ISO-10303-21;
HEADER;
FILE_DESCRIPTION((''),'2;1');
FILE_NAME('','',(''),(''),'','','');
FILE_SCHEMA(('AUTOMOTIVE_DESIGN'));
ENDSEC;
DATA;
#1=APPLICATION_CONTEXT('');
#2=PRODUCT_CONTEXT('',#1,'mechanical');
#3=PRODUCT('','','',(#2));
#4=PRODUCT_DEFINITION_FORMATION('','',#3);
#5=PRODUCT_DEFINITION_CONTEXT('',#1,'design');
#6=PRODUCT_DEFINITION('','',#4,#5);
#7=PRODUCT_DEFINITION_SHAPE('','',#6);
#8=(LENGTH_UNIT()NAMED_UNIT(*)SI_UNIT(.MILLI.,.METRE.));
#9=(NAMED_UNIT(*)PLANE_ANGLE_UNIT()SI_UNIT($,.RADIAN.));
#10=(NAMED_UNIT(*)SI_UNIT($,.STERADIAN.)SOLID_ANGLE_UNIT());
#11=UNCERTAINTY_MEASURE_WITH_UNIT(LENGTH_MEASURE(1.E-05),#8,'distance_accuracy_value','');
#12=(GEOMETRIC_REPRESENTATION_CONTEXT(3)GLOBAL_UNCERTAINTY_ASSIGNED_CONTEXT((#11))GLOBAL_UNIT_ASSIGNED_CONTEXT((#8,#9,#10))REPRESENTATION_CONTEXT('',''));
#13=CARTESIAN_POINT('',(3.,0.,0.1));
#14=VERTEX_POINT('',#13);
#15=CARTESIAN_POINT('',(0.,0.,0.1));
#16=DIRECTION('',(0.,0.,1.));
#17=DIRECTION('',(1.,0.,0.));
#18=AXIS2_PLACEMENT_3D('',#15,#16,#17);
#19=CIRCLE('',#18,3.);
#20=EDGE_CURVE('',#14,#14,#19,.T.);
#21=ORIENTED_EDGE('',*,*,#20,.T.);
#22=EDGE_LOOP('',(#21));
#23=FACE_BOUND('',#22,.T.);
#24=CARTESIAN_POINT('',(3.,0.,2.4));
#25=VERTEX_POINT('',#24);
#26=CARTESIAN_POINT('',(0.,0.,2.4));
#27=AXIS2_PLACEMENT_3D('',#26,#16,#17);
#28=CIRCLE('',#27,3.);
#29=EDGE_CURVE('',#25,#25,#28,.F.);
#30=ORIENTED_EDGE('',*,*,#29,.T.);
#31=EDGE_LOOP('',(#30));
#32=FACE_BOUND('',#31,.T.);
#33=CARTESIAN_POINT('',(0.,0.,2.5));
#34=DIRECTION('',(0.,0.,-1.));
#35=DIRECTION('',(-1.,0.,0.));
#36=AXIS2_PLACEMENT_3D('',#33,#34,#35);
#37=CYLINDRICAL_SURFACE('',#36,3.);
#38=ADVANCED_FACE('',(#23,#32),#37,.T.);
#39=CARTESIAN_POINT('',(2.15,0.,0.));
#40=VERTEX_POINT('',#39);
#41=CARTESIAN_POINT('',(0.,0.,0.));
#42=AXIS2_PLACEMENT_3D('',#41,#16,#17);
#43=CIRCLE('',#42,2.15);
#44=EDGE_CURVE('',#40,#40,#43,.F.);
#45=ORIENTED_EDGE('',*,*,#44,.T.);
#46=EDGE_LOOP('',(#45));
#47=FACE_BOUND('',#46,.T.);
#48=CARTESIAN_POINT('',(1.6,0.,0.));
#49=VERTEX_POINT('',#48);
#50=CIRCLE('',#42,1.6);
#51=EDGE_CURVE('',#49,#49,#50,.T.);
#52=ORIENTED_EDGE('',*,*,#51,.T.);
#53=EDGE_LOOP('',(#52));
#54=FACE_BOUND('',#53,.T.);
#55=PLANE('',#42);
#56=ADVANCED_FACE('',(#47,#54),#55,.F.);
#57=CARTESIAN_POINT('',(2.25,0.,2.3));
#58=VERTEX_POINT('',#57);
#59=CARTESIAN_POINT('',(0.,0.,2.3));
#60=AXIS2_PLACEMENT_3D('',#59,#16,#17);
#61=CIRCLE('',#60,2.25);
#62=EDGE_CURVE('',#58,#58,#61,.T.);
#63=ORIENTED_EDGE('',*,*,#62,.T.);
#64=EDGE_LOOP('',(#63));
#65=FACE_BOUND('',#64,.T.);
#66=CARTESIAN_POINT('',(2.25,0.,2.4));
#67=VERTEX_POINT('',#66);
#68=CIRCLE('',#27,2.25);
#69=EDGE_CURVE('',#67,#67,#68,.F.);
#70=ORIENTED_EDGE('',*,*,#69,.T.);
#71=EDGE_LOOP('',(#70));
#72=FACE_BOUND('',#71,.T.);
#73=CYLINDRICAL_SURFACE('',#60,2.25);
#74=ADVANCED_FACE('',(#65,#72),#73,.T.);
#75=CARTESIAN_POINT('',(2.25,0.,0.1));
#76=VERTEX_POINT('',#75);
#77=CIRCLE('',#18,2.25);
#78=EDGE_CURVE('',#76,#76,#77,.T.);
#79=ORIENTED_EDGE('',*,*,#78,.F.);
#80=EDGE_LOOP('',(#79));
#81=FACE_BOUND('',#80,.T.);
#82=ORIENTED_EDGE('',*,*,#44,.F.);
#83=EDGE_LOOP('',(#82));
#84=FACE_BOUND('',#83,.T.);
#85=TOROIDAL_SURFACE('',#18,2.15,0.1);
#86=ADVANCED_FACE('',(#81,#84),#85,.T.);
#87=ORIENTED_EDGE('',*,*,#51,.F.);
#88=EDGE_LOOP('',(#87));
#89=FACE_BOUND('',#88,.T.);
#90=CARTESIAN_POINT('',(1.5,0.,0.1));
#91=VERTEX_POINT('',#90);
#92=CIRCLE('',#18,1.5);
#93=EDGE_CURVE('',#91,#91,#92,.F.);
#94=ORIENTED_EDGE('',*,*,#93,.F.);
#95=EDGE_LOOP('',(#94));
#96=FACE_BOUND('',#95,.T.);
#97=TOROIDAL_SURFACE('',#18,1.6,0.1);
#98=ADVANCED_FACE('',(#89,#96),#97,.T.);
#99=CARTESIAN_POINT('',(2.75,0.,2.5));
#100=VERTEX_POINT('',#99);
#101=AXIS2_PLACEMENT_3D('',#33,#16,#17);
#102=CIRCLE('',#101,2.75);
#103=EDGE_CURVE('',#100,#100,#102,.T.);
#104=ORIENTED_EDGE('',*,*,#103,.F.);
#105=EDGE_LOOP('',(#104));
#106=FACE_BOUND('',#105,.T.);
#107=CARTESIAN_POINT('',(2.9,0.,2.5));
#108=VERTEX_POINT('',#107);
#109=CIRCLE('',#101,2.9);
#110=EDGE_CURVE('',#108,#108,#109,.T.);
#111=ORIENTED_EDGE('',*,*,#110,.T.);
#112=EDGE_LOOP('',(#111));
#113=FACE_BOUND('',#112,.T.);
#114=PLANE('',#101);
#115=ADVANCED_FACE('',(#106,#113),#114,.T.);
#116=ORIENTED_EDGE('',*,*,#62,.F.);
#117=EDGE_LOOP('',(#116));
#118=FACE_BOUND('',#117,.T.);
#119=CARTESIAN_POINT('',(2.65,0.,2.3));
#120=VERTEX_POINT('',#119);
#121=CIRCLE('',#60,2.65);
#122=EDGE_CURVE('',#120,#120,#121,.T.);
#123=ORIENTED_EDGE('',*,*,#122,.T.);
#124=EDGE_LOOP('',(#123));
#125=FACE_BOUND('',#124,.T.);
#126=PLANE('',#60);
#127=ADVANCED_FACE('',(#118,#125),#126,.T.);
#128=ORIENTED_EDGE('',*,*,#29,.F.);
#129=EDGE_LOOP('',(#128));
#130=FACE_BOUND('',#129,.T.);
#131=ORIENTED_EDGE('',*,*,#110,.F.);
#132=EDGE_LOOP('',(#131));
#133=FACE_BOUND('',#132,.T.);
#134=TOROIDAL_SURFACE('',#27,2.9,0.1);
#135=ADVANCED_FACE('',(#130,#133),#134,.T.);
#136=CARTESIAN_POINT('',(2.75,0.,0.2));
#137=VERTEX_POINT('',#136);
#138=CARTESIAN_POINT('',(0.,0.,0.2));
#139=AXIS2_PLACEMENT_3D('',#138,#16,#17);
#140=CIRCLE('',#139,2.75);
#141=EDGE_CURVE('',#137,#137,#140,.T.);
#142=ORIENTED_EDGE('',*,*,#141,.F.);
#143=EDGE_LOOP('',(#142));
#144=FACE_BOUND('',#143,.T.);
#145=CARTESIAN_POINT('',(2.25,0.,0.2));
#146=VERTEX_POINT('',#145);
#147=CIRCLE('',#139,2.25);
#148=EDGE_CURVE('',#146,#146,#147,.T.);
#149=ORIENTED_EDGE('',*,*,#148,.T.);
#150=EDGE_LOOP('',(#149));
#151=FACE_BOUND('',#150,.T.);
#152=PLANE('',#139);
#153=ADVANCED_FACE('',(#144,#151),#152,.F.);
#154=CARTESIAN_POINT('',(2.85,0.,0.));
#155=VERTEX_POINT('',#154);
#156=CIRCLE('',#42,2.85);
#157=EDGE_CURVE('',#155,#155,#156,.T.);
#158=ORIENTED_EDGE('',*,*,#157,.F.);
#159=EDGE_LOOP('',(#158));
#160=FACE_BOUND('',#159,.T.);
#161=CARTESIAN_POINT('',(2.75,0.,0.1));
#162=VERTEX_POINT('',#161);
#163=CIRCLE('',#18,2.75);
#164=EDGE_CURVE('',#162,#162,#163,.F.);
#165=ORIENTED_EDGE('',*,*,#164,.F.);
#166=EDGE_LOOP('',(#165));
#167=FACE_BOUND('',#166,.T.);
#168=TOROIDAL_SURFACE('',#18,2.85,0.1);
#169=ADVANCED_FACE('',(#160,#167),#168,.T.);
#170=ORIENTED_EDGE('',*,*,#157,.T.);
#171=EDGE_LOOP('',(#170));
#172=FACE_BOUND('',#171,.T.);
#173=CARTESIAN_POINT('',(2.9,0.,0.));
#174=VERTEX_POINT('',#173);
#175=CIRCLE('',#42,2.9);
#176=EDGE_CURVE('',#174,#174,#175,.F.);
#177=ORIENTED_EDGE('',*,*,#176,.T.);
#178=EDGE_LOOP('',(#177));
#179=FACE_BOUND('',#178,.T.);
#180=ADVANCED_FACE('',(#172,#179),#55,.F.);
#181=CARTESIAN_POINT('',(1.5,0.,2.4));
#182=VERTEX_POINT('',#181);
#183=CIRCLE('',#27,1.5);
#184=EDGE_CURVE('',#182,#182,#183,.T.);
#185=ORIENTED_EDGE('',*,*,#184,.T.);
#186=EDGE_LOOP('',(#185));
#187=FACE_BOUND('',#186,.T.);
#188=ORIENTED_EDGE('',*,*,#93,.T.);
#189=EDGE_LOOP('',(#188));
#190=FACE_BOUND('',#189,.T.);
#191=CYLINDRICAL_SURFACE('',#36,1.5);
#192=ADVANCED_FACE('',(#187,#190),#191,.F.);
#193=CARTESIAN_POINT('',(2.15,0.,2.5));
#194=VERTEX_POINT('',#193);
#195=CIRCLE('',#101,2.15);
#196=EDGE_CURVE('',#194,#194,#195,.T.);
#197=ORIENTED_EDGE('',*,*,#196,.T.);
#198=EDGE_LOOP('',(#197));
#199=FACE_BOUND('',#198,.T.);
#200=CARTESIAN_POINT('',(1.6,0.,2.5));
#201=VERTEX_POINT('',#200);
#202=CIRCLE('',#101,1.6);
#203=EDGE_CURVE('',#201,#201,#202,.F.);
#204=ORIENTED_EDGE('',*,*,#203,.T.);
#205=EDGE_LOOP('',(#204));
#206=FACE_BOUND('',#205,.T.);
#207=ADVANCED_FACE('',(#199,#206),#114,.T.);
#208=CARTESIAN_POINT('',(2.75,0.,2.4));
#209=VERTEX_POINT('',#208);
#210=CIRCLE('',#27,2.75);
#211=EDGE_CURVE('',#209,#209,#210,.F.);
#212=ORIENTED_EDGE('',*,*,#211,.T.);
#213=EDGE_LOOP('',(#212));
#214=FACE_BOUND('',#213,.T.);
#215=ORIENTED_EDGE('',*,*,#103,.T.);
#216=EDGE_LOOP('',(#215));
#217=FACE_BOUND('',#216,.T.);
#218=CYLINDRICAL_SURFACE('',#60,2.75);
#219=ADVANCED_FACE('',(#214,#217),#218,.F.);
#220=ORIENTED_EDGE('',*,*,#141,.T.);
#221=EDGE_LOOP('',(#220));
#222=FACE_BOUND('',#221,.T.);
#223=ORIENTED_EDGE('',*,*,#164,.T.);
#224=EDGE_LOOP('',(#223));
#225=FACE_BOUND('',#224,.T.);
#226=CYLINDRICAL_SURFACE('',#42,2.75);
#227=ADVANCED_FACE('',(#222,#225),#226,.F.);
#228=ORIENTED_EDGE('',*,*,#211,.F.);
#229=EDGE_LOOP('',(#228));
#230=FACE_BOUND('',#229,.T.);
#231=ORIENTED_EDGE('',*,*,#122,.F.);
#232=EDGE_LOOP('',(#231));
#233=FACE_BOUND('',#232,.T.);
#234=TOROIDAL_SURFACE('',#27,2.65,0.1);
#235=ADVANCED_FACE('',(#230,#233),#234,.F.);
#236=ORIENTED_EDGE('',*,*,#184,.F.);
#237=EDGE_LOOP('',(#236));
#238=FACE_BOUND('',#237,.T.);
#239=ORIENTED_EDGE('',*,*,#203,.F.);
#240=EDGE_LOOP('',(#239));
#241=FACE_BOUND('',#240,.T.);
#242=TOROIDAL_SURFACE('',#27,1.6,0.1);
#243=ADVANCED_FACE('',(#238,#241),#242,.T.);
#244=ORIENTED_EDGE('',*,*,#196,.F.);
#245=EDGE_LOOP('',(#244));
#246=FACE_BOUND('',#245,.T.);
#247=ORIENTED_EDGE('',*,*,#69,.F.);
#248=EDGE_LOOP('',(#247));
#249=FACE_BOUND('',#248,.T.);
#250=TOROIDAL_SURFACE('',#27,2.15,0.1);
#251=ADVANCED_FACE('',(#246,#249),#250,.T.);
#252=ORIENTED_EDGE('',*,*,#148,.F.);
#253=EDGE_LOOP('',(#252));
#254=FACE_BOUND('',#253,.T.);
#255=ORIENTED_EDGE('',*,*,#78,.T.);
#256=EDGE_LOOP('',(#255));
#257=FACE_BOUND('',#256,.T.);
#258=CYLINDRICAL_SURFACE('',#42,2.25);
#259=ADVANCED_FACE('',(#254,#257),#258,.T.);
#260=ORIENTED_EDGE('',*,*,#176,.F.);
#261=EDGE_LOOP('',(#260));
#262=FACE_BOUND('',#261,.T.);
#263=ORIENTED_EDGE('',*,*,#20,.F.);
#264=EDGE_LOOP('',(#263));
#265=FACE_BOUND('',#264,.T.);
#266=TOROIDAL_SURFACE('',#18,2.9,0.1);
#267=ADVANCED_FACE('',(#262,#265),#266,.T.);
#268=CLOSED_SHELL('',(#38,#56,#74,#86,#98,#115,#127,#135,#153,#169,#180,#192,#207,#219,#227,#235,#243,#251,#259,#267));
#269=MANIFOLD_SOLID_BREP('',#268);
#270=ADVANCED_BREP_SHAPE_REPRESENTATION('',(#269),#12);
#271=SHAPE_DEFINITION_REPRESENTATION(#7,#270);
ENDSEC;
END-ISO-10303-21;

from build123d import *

# Parameters (mm, degrees)
SKETCH_1_R          = 3
SKETCH_1_R_2        = 1.5
EXTRUDE_1_DEPTH     = 2.5
SKETCH_2_R          = 2.75
SKETCH_2_R_2        = 2.25
CUT_EXTRUDE_1_DEPTH = 0.2
CUT_EXTRUDE_START   = -2.3
SKETCH_2_3_R        = 2.75
SKETCH_2_3_R_2      = 2.25
CUT_EXTRUDE_2_DEPTH = 0.2
FILLET_1_R          = 0.1


with BuildPart() as part:
    # 草图1 → 凸台-拉伸1 (new body)
    with BuildSketch(Plane.XY):
        Circle(SKETCH_1_R)
        Circle(SKETCH_1_R_2, mode=Mode.SUBTRACT)
    extrude(amount=EXTRUDE_1_DEPTH)

    # 草图2 → 切除-拉伸1 (cut)
    with BuildSketch(Plane.XY.offset(2.5)):
        Circle(SKETCH_2_R)
        Circle(SKETCH_2_R_2, mode=Mode.SUBTRACT)
    extrude(amount=-CUT_EXTRUDE_1_DEPTH, mode=Mode.SUBTRACT)

    # 草图2<3> → 切除-拉伸2 (cut)
    with BuildSketch(Plane.XY.offset(2.5).offset(CUT_EXTRUDE_START)):
        Circle(SKETCH_2_3_R)
        Circle(SKETCH_2_3_R_2, mode=Mode.SUBTRACT)
    extrude(amount=-CUT_EXTRUDE_2_DEPTH, mode=Mode.SUBTRACT)

    # 圆角1
    fillet_1_edges = [part.edges().sort_by_distance(p)[0] for p in [
        (-2.75, 0, 2.3),
        (-2.25, 0, 2.5),
        (-2.75, 0, 0),
        (-2.25, 0, 0),
        (-3, 0, 0),
        (-3, 0, 2.5),
        (-1.5, 0, 0),
        (-1.5, 0, 2.5),
    ]]
    fillet(fillet_1_edges, radius=FILLET_1_R)


solid = part.part
